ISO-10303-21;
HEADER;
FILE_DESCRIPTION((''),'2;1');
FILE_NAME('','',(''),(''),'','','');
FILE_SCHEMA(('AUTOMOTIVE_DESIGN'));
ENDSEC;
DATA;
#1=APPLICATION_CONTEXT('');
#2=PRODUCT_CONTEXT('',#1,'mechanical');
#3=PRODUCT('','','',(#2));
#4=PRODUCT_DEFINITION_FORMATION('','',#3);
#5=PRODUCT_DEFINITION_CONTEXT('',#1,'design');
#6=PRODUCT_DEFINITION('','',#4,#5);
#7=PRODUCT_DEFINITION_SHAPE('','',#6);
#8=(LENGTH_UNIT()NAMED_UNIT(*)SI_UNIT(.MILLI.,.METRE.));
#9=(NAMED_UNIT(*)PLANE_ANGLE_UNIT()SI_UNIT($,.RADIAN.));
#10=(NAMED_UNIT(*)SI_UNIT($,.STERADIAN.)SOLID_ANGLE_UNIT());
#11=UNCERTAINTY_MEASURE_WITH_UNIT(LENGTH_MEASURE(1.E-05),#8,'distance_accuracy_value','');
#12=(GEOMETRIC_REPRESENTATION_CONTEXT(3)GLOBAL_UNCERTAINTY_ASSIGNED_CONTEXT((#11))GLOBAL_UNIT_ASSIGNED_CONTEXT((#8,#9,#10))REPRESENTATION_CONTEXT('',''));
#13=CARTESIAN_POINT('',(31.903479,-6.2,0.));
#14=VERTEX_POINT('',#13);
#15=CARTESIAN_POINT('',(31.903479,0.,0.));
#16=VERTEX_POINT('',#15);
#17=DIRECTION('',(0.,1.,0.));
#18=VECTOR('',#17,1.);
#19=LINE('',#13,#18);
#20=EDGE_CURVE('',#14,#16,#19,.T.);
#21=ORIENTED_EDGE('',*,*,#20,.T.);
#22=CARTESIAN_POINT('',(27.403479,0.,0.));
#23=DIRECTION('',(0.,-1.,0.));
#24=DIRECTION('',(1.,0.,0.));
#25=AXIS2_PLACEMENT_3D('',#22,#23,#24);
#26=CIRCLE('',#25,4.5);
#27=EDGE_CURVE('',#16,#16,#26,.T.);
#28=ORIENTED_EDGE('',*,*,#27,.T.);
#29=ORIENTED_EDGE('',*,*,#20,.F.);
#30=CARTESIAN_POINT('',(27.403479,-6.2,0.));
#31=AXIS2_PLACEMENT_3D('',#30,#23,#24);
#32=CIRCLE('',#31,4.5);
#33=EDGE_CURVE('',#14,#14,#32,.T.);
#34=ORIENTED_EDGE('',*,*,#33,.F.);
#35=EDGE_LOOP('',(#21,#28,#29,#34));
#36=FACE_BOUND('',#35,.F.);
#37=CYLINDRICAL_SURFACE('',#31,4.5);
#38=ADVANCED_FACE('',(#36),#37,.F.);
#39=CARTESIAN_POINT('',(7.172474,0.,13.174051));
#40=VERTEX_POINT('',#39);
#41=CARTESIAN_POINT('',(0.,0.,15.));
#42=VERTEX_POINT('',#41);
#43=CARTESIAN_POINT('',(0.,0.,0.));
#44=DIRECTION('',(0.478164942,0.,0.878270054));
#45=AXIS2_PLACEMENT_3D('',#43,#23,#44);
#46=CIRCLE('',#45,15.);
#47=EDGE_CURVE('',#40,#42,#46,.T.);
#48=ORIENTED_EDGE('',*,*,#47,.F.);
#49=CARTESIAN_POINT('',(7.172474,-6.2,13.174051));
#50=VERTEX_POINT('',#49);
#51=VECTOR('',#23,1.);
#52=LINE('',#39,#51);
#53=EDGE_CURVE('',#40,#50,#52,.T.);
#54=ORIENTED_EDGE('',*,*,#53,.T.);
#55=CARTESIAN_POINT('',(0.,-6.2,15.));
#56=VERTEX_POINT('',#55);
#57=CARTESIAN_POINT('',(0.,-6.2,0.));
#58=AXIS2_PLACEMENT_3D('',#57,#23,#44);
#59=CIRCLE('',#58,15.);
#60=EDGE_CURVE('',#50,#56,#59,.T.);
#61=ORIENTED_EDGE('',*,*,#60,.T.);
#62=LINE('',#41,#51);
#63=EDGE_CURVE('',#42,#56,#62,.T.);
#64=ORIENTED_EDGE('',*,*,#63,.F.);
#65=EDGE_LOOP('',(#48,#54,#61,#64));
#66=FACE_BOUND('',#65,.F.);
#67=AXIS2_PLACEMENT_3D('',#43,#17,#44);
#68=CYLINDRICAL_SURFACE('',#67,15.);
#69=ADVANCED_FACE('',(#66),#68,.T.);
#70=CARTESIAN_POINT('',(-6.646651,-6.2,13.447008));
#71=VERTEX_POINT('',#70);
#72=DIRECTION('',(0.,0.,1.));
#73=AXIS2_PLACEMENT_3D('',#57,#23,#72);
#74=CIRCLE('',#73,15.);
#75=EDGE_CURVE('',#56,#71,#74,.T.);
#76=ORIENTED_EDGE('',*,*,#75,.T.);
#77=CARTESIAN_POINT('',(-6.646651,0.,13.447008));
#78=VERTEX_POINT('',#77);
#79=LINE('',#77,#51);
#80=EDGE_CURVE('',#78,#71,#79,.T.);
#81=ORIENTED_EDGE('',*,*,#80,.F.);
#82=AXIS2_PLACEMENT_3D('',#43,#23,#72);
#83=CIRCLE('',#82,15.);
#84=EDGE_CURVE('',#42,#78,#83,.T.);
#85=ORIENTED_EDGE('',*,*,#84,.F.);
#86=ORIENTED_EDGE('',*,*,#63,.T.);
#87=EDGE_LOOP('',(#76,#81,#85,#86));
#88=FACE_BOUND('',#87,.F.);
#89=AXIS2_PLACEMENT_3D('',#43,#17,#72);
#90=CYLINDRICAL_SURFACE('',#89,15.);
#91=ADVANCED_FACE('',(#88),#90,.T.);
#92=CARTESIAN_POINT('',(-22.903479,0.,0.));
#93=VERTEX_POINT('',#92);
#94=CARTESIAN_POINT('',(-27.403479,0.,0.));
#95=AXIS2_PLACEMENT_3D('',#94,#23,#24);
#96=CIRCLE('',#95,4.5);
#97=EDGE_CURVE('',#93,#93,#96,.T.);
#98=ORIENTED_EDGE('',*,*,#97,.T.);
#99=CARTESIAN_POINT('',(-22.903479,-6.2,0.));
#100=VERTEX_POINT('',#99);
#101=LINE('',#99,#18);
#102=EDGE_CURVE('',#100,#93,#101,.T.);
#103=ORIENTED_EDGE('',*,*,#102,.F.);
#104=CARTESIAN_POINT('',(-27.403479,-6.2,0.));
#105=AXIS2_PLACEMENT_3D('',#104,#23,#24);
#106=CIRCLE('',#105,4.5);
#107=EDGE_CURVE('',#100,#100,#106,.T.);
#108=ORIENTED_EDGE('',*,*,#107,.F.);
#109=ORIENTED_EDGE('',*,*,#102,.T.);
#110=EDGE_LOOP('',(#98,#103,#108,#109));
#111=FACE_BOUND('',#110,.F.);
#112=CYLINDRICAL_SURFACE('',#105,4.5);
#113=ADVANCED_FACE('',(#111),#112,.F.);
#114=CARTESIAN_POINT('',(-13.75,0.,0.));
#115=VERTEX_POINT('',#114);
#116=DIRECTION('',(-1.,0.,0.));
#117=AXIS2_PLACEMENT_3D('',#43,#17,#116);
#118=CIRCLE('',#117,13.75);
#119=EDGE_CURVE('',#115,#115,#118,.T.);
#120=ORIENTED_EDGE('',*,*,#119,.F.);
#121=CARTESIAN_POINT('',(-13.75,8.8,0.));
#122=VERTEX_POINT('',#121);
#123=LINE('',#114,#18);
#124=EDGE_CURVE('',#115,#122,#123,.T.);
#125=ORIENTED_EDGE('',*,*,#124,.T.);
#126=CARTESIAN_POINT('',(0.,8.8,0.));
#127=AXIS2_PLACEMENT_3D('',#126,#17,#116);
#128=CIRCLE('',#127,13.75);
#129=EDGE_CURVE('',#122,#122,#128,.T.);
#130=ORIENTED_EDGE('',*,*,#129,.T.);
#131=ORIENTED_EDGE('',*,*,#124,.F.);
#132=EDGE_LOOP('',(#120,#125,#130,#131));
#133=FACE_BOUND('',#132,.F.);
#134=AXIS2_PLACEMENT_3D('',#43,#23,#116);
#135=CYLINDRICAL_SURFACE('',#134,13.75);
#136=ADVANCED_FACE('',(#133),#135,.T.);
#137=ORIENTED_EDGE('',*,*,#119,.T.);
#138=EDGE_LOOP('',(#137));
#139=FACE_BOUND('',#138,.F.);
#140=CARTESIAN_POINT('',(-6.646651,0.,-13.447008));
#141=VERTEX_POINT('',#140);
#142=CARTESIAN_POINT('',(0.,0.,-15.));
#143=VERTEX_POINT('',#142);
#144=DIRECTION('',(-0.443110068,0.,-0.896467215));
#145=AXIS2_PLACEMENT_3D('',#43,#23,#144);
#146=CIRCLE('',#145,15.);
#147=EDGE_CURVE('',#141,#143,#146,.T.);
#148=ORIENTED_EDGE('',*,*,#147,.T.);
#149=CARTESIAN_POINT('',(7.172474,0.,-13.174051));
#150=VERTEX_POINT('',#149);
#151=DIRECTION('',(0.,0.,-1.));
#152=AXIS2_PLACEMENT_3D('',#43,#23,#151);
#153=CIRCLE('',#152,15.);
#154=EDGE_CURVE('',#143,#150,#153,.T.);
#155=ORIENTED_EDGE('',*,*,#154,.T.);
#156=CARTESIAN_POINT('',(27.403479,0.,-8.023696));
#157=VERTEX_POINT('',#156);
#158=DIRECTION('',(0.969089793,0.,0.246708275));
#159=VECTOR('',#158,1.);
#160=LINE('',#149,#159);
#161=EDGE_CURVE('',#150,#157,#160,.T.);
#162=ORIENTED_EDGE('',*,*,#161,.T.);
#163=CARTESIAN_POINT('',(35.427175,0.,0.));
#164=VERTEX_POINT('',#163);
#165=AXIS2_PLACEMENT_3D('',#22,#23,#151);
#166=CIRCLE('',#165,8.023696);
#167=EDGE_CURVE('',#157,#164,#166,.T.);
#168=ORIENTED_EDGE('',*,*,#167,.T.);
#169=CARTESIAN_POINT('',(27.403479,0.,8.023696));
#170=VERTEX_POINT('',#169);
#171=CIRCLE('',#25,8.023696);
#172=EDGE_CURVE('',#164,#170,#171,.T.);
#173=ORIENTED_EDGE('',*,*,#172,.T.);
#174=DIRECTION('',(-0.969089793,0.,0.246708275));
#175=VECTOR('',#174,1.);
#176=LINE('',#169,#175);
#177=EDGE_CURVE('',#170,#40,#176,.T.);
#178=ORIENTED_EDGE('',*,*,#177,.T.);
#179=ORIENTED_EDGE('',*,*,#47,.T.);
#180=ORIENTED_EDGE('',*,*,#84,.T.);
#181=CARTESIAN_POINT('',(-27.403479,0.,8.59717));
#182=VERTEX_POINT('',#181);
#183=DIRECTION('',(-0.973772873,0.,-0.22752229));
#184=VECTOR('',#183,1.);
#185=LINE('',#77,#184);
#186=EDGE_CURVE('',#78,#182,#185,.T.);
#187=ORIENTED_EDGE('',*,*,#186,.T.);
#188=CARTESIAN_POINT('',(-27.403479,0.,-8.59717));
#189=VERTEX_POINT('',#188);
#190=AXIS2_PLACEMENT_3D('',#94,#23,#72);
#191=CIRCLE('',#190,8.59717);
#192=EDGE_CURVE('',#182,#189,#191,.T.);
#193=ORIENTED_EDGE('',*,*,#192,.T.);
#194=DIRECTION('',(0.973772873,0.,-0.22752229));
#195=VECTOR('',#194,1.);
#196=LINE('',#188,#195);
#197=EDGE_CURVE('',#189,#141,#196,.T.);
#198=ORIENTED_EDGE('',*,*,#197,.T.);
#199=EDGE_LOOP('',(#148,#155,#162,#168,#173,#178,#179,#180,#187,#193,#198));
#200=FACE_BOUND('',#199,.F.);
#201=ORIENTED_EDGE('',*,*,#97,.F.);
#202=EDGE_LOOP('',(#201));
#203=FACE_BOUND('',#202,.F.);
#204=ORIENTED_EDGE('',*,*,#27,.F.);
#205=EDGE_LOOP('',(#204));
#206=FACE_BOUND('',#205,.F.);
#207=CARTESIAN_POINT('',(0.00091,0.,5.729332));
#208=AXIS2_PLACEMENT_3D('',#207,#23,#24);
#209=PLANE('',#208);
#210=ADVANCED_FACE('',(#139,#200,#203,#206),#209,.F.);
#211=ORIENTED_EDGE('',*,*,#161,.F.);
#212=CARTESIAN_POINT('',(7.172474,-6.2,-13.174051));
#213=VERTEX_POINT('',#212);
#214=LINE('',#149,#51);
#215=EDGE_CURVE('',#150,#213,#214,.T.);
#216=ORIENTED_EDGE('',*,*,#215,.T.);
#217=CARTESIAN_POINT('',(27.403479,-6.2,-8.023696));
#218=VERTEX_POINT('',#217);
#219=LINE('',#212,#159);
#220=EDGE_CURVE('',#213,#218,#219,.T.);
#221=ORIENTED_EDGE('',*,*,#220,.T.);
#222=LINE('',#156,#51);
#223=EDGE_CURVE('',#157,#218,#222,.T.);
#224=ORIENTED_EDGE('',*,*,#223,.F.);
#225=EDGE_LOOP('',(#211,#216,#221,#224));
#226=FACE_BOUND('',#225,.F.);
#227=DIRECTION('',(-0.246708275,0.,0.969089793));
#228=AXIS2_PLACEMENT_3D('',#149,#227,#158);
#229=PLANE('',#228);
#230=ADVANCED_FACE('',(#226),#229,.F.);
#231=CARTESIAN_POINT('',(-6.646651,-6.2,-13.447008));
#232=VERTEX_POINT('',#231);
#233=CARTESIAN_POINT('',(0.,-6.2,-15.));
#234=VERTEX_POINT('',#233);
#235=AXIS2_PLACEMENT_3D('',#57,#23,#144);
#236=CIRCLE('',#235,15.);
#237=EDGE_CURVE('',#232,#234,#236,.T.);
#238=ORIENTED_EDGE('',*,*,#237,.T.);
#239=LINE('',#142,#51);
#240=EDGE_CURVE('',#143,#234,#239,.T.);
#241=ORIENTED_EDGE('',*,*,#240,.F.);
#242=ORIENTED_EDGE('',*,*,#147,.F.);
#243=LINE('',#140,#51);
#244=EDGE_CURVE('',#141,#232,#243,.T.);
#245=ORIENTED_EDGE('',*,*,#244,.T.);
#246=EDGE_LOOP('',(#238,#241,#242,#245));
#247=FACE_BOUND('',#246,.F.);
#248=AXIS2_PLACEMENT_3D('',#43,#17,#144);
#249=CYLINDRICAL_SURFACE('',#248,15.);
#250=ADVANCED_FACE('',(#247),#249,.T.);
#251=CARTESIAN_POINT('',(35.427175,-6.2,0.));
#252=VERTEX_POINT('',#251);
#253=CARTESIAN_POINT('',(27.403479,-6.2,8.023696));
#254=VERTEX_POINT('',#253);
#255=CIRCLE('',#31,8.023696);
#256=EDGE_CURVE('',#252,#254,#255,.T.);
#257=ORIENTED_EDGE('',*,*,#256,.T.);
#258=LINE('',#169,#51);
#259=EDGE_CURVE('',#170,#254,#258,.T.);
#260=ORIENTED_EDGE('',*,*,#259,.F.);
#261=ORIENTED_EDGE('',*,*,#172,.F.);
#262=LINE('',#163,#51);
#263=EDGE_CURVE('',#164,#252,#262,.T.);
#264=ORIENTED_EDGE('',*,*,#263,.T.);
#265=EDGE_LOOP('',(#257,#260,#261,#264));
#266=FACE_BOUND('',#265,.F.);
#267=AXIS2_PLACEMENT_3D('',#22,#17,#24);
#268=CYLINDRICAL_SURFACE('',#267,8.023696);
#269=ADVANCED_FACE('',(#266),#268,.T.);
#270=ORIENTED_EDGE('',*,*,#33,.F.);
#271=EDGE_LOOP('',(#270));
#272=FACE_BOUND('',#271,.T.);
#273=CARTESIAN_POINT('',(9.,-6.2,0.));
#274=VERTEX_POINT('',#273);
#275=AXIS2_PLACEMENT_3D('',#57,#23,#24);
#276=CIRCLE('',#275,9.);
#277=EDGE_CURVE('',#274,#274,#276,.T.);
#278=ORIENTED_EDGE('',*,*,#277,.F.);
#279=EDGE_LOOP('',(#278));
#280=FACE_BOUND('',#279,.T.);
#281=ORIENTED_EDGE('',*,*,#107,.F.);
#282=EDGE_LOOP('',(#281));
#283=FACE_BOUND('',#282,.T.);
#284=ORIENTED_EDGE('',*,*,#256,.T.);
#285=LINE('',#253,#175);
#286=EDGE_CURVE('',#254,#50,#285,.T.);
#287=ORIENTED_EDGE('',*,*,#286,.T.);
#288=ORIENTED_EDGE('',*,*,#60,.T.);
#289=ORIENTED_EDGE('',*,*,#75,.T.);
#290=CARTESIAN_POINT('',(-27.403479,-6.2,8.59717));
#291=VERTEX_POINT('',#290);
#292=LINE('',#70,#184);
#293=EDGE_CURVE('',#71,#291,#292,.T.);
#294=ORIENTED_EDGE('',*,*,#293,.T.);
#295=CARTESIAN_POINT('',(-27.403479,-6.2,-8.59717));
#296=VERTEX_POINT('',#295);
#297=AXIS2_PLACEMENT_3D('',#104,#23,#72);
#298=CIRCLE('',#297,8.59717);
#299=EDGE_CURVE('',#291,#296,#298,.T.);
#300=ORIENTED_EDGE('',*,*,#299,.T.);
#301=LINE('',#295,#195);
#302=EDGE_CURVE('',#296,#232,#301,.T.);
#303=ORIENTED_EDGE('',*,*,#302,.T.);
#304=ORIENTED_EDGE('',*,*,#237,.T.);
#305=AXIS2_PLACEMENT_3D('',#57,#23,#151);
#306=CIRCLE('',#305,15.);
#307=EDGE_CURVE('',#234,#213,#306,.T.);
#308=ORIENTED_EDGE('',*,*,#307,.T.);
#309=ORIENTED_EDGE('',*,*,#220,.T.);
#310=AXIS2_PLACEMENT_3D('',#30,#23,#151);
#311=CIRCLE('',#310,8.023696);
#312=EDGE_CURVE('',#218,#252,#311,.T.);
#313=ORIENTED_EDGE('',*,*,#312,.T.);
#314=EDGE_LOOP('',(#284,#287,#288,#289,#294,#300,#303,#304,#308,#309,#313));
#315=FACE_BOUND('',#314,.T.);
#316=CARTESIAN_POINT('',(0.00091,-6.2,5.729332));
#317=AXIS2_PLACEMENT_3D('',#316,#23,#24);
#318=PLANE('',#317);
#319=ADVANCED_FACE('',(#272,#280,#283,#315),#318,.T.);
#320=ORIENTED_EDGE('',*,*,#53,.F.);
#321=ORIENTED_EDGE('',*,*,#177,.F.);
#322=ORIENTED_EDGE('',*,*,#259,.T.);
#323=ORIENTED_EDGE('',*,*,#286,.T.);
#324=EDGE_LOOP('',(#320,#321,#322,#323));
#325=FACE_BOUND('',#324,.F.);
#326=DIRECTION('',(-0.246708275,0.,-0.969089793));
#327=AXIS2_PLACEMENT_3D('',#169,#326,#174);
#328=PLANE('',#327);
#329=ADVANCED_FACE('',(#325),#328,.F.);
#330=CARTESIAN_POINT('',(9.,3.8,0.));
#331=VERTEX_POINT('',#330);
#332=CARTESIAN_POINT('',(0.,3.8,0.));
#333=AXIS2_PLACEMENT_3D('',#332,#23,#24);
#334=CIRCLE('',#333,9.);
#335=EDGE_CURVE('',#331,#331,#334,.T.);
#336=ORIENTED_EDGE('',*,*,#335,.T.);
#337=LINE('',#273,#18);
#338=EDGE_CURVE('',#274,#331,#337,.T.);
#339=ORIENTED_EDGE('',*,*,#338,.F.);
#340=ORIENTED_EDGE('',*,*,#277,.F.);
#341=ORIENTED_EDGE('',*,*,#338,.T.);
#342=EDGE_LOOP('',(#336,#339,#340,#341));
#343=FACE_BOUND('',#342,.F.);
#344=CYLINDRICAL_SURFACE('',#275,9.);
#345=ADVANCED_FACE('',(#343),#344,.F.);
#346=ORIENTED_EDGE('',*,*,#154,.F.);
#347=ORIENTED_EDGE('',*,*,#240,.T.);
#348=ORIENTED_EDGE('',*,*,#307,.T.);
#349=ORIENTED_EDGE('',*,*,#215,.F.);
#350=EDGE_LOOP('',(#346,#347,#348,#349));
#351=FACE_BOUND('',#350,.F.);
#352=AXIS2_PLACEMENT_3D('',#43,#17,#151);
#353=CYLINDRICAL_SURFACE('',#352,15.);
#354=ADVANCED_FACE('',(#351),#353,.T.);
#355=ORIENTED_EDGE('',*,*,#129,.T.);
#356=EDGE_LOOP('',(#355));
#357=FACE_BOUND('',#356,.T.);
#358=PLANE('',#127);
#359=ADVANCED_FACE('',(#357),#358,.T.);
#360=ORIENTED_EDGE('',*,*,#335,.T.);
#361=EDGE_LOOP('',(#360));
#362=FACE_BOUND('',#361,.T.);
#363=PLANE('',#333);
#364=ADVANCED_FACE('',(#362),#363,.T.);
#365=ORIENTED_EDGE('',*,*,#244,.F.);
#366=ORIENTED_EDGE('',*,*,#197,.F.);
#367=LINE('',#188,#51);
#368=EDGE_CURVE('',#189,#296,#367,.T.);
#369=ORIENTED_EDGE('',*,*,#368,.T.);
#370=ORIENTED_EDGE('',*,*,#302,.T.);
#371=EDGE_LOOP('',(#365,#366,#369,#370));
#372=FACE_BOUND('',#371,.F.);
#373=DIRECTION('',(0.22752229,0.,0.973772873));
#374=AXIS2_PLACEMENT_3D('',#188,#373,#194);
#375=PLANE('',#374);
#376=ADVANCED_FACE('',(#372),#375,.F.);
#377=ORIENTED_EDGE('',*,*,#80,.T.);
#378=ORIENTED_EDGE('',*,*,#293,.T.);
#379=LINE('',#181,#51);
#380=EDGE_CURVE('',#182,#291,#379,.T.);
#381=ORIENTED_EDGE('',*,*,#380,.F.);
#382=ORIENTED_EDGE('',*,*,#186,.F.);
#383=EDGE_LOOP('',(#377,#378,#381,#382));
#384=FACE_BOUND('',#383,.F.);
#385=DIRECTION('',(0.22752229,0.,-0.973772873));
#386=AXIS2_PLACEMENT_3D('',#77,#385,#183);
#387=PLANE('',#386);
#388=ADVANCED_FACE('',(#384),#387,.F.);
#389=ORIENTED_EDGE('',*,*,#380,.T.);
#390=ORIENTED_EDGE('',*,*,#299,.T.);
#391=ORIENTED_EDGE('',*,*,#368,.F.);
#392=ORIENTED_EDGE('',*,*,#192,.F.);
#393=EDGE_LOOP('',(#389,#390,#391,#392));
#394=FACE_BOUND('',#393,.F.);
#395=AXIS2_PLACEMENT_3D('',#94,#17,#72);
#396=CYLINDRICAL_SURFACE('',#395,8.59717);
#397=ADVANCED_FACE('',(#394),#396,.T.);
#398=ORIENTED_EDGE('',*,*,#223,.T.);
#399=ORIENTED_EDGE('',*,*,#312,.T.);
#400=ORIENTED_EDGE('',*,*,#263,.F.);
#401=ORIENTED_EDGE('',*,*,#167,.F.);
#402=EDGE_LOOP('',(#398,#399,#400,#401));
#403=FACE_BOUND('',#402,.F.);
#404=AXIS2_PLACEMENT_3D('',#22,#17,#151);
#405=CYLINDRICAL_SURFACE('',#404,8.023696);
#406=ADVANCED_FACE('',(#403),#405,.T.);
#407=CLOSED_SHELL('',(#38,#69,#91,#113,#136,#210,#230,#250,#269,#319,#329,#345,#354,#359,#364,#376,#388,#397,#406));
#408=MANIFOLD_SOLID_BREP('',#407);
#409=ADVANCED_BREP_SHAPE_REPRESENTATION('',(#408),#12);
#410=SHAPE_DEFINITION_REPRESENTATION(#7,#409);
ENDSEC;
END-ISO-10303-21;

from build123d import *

# Parameters (mm, degrees)
F1_DEPTH = 6.2
F2_R     = 13.75
F3_DEPTH = 8.8
F4_R     = 4.5
F4_R_2   = 9
F5_R     = 4.5
F6_DEPTH = 10


with BuildPart() as f1:
    # F0 (on Front) → F1 (new body)
    with BuildSketch(Plane.XZ):
        with BuildLine():
            Line((0, 0), (15, 0))
            ThreePointArc((15, 0), (12.8954858771, 7.662013051), (7.1724741341, 13.1740508119))
            Line((7.1724741341, 13.1740508119), (0, 15))
            Line((0, 15), (-6.6466510201, 13.4470082255))
            ThreePointArc((-6.6466510201, 13.4470082255), (-12.7416593366, 7.9151827111), (-15, 0))
            Line((-15, 0), (0, 0))
        make_face()
        with BuildLine():
            Line((19.3797829829, 0), (15, 0))
            ThreePointArc((15, 0), (12.8954858771, -7.662013051), (7.1724741341, -13.1740508119))
            Line((7.1724741341, -13.1740508119), (27.4034789598, -8.023695977))
            ThreePointArc((27.4034789598, -8.023695977), (21.7298691243, -5.6736098355), (19.3797829829, 0))
        make_face()
        with BuildLine():
            ThreePointArc((7.1724741341, -13.1740508119), (12.8954858771, -7.662013051), (15, 0))
            Line((15, 0), (0, 0))
            Line((0, 0), (-15, 0))
            ThreePointArc((-15, 0), (-12.7416593366, -7.9151827111), (-6.6466510201, -13.4470082255))
            Line((-6.6466510201, -13.4470082255), (0, -15))
            Line((0, -15), (7.1724741341, -13.1740508119))
        make_face()
        with BuildLine():
            ThreePointArc((7.1724741341, 13.1740508119), (12.8954858771, 7.662013051), (15, 0))
            Line((15, 0), (19.3797829829, 0))
            ThreePointArc((19.3797829829, 0), (21.7298691243, 5.6736098355), (27.4034789598, 8.023695977))
            Line((27.4034789598, 8.023695977), (7.1724741341, 13.1740508119))
        make_face()
        with BuildLine():
            Line((0, 15), (7.1724741341, 13.1740508119))
            ThreePointArc((7.1724741341, 13.1740508119), (3.7006241245, 14.5363468963), (0, 15))
        make_face()
        with BuildLine():
            ThreePointArc((0, -15), (3.7006241245, -14.5363468963), (7.1724741341, -13.1740508119))
            Line((7.1724741341, -13.1740508119), (0, -15))
        make_face()
        with BuildLine():
            ThreePointArc((27.4034789598, 8.023695977), (21.7298691243, 5.6736098355), (19.3797829829, 0))
            ThreePointArc((19.3797829829, 0), (21.7298691243, -5.6736098355), (27.4034789598, -8.023695977))
            ThreePointArc((27.4034789598, -8.023695977), (33.0770887953, -5.6736098355), (35.4271749368, 0))
            ThreePointArc((35.4271749368, 0), (33.0770887953, 5.6736098355), (27.4034789598, 8.023695977))
        make_face()
        with BuildLine():
            Line((-6.6466510201, 13.4470082255), (0, 15))
            ThreePointArc((0, 15), (-3.4128343512, 14.6065930898), (-6.6466510201, 13.4470082255))
        make_face()
        with BuildLine():
            ThreePointArc((-6.6466510201, -13.4470082255), (-3.4128343512, -14.6065930898), (0, -15))
            Line((0, -15), (-6.6466510201, -13.4470082255))
        make_face()
        with BuildLine():
            Line((-18.8063090901, 0), (-15, 0))
            ThreePointArc((-15, 0), (-12.7416593366, 7.9151827111), (-6.6466510201, 13.4470082255))
            Line((-6.6466510201, 13.4470082255), (-27.4034789598, 8.5971698697))
            ThreePointArc((-27.4034789598, 8.5971698697), (-21.3243618459, 6.0791171139), (-18.8063090901, 0))
        make_face()
        with BuildLine():
            ThreePointArc((-6.6466510201, -13.4470082255), (-12.7416593366, -7.9151827111), (-15, 0))
            Line((-15, 0), (-18.8063090901, 0))
            ThreePointArc((-18.8063090901, 0), (-21.3243618459, -6.0791171139), (-27.4034789598, -8.5971698697))
            Line((-27.4034789598, -8.5971698697), (-6.6466510201, -13.4470082255))
        make_face()
        with BuildLine():
            ThreePointArc((-27.4034789598, -8.5971698697), (-21.3243618459, -6.0791171139), (-18.8063090901, 0))
            ThreePointArc((-18.8063090901, 0), (-21.3243618459, 6.0791171139), (-27.4034789598, 8.5971698697))
            ThreePointArc((-27.4034789598, 8.5971698697), (-36.0006488296, 0), (-27.4034789598, -8.5971698697))
        make_face()
    extrude(amount=F1_DEPTH)

    # F2 (on face) → F3 (join)
    with BuildSketch(Plane(origin=(0, 0, 0), x_dir=(-1, 0, 0), z_dir=(0, 1, 0))):
        Circle(F2_R)
    extrude(amount=F3_DEPTH)

    # F4 (on face) + F5 (on face) → F6 (cut)
    with BuildSketch(Plane.XZ.offset(6.2)):
        with Locations((27.4034789598, 0)):
            Circle(F4_R)
        Circle(F4_R_2)
    with BuildSketch(Plane.XZ.offset(6.2)):
        with Locations((-27.4034789598, 0)):
            Circle(F5_R)
    extrude(amount=-F6_DEPTH, mode=Mode.SUBTRACT)


solid = f1.part
